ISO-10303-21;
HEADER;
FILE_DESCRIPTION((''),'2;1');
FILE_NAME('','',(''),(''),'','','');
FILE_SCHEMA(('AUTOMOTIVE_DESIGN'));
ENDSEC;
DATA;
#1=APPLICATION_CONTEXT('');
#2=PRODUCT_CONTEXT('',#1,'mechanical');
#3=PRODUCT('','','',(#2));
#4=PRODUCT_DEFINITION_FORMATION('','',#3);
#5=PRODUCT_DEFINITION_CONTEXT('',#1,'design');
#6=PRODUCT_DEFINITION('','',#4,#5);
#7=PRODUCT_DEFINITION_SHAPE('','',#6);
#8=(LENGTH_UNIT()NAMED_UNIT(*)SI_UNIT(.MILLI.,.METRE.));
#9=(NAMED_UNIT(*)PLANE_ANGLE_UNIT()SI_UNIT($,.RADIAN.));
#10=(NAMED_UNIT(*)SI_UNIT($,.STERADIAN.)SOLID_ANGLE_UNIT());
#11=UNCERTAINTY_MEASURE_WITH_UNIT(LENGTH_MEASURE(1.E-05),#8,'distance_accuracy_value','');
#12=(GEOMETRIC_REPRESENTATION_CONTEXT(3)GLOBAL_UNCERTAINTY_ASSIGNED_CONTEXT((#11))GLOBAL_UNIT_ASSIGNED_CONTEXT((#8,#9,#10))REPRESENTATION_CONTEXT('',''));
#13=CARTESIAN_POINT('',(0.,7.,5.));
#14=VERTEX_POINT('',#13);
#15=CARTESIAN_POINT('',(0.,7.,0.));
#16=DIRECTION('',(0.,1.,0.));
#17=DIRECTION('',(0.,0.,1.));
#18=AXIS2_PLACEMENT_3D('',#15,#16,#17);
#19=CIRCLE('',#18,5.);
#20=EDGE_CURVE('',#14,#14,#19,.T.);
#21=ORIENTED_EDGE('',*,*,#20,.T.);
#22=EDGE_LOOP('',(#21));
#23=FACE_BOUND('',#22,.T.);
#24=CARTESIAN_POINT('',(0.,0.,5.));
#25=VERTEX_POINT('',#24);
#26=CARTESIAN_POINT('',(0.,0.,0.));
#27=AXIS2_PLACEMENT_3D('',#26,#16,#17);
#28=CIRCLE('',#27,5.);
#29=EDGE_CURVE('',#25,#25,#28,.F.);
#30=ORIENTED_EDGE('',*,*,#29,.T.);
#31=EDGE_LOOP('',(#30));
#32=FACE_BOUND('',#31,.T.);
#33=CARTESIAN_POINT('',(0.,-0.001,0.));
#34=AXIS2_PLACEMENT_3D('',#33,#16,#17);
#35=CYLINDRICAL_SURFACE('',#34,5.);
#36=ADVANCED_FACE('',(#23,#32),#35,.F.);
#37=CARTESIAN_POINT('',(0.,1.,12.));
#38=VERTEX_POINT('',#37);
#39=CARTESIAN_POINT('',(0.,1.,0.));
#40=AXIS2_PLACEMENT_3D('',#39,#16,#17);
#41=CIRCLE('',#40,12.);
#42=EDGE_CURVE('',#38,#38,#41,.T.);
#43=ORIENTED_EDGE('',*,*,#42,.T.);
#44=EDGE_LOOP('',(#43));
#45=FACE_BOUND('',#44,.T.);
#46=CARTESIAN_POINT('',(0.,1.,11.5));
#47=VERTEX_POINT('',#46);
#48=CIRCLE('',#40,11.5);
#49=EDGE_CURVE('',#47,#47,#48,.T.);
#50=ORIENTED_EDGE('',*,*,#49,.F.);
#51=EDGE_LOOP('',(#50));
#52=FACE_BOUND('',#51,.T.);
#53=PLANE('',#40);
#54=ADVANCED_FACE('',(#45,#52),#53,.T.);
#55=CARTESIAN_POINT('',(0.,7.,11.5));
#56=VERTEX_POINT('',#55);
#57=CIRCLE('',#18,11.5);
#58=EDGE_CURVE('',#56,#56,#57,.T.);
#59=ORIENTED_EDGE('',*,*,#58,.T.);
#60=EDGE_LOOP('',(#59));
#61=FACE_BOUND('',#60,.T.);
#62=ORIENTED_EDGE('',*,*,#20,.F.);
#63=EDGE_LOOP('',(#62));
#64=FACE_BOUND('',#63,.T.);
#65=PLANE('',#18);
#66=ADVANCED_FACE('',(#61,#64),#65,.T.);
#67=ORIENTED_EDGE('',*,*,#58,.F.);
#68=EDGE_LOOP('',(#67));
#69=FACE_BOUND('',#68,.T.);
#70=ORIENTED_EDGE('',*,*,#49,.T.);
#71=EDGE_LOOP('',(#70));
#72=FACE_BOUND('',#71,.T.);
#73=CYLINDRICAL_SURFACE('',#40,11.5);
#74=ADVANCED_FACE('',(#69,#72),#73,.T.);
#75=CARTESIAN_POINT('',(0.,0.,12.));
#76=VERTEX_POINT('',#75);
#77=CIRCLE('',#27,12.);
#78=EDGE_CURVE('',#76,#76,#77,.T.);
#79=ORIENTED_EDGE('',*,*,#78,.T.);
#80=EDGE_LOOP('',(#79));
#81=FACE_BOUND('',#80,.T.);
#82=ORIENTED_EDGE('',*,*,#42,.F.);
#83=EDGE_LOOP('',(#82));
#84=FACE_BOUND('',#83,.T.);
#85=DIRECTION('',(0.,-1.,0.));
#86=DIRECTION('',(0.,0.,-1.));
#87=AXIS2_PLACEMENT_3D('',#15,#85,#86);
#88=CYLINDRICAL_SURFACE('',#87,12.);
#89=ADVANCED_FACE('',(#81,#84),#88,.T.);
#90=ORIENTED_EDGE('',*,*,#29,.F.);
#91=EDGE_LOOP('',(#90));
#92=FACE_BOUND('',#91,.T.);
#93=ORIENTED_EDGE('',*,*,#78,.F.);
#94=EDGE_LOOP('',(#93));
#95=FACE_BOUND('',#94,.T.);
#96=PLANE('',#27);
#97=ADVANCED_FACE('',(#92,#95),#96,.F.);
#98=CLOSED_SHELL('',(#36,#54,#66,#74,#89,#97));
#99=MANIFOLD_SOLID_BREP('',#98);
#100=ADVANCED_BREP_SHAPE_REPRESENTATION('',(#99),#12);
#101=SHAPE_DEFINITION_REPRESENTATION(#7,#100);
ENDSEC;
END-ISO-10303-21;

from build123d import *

# Parameters (mm, degrees)
SKETCH1_R           = 12
BOSS_EXTRUDE1_DEPTH = 7
SKETCH2_OUTSIDE_W   = 32.932
SKETCH2_OUTSIDE_H   = 32.932
SKETCH2_OUTSIDE_R   = 11.5
CUT_EXTRUDE3_DEPTH  = 6
CUT_EXTRUDE4_REACH  = 20.358
SKETCH3_R           = 5


with BuildPart() as part:
    # Sketch1 → Boss-Extrude1 (new body)
    with BuildSketch(Plane(origin=(0, 0, 0), x_dir=(1, 0, 0), z_dir=(0, 1, 0))):
        with Locations(Location((0, 0, 0), (0, 0, 270))):
            Circle(SKETCH1_R)
    extrude(amount=BOSS_EXTRUDE1_DEPTH)

    # Sketch2 outside → Cut-Extrude3 (cut)
    with BuildSketch(Plane(origin=(0, 7, 0), x_dir=(1, 0, 0), z_dir=(0, 1, 0))):
        Rectangle(SKETCH2_OUTSIDE_W, SKETCH2_OUTSIDE_H)
        with Locations(Location((0, 0, 0), (0, 0, 270))):
            Circle(SKETCH2_OUTSIDE_R, mode=Mode.SUBTRACT)
    extrude(amount=-CUT_EXTRUDE3_DEPTH, mode=Mode.SUBTRACT)

    # Sketch3 → Cut-Extrude4 (cut, up to next)
    with BuildSketch(Plane(origin=(0, 7, 0), x_dir=(1, 0, 0), z_dir=(0, 1, 0)), mode=Mode.PRIVATE) as cut_extrude4_sk1:
        with Locations(Location((0, 0, 0), (0, 0, 270))):
            Circle(SKETCH3_R)
    cut_extrude4_tool1 = extrude(cut_extrude4_sk1.sketch, amount=-CUT_EXTRUDE4_REACH, mode=Mode.PRIVATE) & part.part
    add(cut_extrude4_tool1.solids().sort_by_distance((0, 7, 0))[0], mode=Mode.SUBTRACT)


solid = part.part
